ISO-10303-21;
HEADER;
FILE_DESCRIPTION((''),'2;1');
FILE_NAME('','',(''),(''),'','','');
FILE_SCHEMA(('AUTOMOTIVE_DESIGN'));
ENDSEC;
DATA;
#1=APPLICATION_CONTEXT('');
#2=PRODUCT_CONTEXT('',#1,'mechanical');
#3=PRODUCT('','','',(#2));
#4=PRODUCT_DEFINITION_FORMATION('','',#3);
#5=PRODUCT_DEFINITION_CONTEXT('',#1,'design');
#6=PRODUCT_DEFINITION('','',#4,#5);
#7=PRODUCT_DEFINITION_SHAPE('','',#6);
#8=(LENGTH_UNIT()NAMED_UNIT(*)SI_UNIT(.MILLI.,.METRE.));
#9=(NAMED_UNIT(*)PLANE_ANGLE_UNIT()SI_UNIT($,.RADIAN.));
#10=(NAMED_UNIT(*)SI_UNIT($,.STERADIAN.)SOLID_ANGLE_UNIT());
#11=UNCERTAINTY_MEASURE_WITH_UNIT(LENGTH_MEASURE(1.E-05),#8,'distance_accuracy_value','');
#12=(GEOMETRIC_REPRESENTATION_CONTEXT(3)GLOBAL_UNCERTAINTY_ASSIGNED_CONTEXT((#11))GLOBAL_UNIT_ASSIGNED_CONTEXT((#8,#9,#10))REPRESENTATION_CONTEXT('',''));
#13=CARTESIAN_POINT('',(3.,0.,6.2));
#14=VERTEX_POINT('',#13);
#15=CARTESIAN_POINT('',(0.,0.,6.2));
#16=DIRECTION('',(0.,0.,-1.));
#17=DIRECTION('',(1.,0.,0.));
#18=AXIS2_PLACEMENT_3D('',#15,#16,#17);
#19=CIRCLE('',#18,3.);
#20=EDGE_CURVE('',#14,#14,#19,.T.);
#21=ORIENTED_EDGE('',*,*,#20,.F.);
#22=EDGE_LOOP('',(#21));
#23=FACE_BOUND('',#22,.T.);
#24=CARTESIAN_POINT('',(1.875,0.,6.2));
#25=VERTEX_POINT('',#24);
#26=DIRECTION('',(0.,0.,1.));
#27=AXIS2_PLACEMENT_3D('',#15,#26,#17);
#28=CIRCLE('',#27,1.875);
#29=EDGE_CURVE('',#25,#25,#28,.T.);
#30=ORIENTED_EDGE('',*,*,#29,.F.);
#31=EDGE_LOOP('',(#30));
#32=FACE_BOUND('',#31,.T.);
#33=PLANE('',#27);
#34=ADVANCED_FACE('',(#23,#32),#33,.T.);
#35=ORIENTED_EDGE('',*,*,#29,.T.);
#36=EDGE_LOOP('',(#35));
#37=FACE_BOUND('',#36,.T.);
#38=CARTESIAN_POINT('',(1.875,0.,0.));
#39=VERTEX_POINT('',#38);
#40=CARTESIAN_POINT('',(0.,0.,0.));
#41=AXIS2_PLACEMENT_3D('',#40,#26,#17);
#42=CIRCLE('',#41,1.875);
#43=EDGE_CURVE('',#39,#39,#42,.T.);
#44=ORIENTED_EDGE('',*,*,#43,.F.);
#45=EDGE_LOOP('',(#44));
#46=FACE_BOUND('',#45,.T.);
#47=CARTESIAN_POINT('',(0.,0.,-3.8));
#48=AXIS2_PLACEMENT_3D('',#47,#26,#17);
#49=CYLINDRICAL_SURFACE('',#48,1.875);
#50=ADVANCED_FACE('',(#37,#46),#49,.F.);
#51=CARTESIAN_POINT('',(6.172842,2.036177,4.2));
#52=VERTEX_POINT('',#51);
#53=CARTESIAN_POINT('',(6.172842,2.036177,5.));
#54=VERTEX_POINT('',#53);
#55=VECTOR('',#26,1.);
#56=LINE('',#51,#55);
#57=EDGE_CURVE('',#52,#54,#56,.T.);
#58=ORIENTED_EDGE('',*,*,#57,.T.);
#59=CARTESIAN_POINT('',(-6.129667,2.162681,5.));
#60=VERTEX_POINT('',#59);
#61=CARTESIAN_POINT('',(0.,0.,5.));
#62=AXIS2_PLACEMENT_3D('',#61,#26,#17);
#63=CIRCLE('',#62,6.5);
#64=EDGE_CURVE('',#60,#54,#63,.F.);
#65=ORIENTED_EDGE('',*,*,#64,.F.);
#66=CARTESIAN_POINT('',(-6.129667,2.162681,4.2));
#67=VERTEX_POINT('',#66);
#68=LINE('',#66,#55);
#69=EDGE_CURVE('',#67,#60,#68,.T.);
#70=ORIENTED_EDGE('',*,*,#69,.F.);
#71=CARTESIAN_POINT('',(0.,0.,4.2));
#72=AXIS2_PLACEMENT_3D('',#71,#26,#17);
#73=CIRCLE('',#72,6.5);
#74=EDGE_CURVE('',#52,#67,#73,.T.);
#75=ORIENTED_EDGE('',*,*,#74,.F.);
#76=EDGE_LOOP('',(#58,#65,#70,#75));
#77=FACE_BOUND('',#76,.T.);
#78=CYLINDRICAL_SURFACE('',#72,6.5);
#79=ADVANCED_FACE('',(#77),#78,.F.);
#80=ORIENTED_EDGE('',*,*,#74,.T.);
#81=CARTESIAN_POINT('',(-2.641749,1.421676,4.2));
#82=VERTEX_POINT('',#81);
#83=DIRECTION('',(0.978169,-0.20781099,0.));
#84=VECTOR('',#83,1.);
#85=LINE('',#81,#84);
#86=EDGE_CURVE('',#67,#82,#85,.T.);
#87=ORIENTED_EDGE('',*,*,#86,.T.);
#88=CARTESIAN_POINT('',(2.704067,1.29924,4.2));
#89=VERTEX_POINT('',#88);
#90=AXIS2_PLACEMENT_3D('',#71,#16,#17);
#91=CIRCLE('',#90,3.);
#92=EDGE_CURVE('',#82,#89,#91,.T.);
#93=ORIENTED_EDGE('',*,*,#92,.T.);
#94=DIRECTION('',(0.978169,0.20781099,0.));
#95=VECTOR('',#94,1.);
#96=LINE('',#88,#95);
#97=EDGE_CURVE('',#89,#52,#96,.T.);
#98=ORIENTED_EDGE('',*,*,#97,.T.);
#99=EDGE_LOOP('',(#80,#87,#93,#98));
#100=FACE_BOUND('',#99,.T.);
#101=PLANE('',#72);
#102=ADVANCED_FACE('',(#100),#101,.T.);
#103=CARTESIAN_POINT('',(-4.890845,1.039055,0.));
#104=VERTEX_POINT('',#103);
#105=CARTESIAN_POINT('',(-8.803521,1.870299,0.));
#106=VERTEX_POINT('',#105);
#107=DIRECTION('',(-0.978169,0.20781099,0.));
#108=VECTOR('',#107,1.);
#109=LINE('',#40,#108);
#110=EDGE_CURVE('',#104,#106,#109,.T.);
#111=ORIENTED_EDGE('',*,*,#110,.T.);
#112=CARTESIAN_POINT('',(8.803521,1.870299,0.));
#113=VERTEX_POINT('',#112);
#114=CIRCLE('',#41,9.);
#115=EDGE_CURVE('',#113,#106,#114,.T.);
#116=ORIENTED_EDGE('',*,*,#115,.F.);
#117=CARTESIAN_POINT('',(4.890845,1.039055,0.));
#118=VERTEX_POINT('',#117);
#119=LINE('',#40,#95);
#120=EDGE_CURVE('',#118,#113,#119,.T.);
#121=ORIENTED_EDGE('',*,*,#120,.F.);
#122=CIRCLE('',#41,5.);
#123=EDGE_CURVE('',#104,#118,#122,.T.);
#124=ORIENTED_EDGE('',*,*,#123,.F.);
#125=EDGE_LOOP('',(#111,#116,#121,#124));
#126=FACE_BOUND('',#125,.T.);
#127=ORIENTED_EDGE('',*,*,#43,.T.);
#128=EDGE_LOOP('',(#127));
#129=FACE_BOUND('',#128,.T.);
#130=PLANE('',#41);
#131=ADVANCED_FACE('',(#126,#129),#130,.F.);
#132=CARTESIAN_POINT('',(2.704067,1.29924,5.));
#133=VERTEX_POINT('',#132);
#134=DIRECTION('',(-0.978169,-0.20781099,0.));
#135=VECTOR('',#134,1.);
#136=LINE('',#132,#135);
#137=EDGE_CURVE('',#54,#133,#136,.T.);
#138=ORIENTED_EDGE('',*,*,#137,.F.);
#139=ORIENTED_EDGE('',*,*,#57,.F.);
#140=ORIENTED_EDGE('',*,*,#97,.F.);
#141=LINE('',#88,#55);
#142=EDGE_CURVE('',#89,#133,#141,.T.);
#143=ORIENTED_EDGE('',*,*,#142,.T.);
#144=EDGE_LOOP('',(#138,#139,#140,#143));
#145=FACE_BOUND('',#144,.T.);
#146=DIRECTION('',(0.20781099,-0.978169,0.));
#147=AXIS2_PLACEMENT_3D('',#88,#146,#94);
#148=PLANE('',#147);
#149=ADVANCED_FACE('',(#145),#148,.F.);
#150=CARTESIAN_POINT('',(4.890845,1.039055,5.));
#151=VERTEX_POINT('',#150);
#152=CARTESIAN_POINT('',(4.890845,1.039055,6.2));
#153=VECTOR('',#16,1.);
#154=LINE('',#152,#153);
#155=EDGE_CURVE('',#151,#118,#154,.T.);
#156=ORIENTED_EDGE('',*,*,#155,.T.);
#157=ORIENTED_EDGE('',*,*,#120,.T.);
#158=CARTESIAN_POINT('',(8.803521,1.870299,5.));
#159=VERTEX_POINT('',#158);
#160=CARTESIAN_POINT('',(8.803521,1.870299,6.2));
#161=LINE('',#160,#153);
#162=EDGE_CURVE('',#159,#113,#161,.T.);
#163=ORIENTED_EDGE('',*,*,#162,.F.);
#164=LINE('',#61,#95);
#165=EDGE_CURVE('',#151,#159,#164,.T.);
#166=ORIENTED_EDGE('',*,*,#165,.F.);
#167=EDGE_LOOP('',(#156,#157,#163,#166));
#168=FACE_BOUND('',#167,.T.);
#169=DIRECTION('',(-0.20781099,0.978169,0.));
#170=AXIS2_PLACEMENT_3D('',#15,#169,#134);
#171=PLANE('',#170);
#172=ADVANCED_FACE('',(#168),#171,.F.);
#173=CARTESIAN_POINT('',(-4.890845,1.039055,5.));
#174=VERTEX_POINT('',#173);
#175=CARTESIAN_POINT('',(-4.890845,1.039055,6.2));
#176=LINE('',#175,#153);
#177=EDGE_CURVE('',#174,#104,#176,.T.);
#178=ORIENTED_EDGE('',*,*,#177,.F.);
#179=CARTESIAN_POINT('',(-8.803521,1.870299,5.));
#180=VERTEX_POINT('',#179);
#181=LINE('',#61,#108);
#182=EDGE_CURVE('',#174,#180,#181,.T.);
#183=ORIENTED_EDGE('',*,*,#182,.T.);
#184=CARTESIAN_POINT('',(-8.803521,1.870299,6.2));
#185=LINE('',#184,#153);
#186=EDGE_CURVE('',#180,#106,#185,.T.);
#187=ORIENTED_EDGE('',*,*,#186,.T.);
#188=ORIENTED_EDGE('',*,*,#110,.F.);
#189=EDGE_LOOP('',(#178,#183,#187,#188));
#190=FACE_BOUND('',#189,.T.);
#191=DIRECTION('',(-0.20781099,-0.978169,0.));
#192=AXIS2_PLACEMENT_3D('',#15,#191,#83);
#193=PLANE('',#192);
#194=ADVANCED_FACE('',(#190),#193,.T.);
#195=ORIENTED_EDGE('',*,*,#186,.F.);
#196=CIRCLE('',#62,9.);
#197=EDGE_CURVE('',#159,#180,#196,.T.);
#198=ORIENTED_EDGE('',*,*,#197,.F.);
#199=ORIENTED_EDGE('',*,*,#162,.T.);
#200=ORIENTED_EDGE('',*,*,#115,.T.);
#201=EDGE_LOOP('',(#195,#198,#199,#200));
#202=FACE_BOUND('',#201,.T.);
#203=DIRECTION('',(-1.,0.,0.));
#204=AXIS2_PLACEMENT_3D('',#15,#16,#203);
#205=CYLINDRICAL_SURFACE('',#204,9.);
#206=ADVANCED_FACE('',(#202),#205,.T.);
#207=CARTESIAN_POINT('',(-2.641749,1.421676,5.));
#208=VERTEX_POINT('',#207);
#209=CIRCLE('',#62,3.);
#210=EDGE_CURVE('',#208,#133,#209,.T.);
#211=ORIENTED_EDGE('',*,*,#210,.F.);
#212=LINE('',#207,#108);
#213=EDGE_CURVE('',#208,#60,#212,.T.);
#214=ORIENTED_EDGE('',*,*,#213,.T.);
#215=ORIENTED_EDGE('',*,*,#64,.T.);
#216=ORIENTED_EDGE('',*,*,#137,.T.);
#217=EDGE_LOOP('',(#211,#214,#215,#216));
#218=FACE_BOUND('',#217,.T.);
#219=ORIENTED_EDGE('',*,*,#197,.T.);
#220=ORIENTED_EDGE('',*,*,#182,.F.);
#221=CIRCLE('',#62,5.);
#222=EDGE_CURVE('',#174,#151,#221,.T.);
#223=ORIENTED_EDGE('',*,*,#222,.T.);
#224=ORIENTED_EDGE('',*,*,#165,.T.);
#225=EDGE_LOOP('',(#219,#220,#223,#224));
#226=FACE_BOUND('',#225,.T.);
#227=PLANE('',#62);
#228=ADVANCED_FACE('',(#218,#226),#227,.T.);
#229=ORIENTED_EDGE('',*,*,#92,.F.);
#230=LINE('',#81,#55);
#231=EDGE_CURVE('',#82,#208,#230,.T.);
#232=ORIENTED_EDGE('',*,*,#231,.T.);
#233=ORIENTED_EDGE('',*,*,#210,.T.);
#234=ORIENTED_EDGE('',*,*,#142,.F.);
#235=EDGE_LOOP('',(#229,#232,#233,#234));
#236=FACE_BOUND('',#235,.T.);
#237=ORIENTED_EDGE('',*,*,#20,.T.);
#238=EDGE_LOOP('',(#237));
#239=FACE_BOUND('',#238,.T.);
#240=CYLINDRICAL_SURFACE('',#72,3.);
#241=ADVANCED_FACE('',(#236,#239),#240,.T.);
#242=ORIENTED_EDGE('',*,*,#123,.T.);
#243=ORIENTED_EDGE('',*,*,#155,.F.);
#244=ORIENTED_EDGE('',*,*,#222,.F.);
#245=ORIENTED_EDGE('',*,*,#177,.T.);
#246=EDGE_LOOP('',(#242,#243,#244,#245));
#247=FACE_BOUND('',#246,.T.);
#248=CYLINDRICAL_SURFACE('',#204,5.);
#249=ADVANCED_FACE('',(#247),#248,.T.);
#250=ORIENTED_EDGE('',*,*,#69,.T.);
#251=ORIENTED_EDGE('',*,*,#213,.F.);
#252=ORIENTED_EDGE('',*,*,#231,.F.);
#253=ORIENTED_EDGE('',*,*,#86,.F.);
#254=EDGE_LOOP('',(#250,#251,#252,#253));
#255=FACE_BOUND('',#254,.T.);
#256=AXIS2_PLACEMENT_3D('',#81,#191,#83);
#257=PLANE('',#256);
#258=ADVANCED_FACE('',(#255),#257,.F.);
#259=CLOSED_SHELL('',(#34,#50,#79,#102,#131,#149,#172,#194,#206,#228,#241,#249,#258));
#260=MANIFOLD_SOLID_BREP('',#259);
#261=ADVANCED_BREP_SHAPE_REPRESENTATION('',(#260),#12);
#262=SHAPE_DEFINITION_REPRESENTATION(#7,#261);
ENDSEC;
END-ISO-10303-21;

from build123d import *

# Parameters (mm, degrees)
BOSS_EXTRUDE3_DEPTH = 6.2
SKETCH3_2_R         = 1.875
CUT_EXTRUDE2_DEPTH  = 10
CUT_EXTRUDE3_DEPTH  = 2
SKETCH5_R           = 10.344131343
SKETCH5_R_2         = 3
CUT_EXTRUDE4_DEPTH  = 1.2


with BuildPart() as part:
    # Sketch1 → Boss-Extrude3 (new body)
    with BuildSketch(Plane.XY):
        with BuildLine():
            Line((-8.803520999, 1.870298914), (-4.890844999, 1.039054952))
            ThreePointArc((-4.890844999, 1.039054952), (0, -5), (4.890844999, 1.039054952))
            Line((4.890844999, 1.039054952), (8.803520999, 1.870298914))
            ThreePointArc((8.803520999, 1.870298914), (0, 9), (-8.803520999, 1.870298914))
        make_face()
    extrude(amount=BOSS_EXTRUDE3_DEPTH)

    # Sketch3<2> → Cut-Extrude2 (cut)
    with BuildSketch(Plane.XY.offset(6.2)):
        Circle(SKETCH3_2_R)
    extrude(amount=-CUT_EXTRUDE2_DEPTH, mode=Mode.SUBTRACT)

    # Sketch4 → Cut-Extrude3 (cut)
    with BuildSketch(Plane.XY.offset(6.2)):
        with BuildLine():
            Line((2.704066688, 1.299239525), (6.172842293, 2.036177308))
            ThreePointArc((6.172842293, 2.036177308), (0.066834303, 6.499656389), (-6.129666509, 2.162680856))
            Line((-6.129666509, 2.162680856), (-2.641748736, 1.42167634))
            ThreePointArc((-2.641748736, 1.42167634), (0.068691886, 2.999213468), (2.704066688, 1.299239525))
        make_face()
    extrude(amount=-CUT_EXTRUDE3_DEPTH, mode=Mode.SUBTRACT)

    # Sketch5 → Cut-Extrude4 (cut)
    with BuildSketch(Plane.XY.offset(6.2)):
        Circle(SKETCH5_R)
        Circle(SKETCH5_R_2, mode=Mode.SUBTRACT)
    extrude(amount=-CUT_EXTRUDE4_DEPTH, mode=Mode.SUBTRACT)


solid = part.part
